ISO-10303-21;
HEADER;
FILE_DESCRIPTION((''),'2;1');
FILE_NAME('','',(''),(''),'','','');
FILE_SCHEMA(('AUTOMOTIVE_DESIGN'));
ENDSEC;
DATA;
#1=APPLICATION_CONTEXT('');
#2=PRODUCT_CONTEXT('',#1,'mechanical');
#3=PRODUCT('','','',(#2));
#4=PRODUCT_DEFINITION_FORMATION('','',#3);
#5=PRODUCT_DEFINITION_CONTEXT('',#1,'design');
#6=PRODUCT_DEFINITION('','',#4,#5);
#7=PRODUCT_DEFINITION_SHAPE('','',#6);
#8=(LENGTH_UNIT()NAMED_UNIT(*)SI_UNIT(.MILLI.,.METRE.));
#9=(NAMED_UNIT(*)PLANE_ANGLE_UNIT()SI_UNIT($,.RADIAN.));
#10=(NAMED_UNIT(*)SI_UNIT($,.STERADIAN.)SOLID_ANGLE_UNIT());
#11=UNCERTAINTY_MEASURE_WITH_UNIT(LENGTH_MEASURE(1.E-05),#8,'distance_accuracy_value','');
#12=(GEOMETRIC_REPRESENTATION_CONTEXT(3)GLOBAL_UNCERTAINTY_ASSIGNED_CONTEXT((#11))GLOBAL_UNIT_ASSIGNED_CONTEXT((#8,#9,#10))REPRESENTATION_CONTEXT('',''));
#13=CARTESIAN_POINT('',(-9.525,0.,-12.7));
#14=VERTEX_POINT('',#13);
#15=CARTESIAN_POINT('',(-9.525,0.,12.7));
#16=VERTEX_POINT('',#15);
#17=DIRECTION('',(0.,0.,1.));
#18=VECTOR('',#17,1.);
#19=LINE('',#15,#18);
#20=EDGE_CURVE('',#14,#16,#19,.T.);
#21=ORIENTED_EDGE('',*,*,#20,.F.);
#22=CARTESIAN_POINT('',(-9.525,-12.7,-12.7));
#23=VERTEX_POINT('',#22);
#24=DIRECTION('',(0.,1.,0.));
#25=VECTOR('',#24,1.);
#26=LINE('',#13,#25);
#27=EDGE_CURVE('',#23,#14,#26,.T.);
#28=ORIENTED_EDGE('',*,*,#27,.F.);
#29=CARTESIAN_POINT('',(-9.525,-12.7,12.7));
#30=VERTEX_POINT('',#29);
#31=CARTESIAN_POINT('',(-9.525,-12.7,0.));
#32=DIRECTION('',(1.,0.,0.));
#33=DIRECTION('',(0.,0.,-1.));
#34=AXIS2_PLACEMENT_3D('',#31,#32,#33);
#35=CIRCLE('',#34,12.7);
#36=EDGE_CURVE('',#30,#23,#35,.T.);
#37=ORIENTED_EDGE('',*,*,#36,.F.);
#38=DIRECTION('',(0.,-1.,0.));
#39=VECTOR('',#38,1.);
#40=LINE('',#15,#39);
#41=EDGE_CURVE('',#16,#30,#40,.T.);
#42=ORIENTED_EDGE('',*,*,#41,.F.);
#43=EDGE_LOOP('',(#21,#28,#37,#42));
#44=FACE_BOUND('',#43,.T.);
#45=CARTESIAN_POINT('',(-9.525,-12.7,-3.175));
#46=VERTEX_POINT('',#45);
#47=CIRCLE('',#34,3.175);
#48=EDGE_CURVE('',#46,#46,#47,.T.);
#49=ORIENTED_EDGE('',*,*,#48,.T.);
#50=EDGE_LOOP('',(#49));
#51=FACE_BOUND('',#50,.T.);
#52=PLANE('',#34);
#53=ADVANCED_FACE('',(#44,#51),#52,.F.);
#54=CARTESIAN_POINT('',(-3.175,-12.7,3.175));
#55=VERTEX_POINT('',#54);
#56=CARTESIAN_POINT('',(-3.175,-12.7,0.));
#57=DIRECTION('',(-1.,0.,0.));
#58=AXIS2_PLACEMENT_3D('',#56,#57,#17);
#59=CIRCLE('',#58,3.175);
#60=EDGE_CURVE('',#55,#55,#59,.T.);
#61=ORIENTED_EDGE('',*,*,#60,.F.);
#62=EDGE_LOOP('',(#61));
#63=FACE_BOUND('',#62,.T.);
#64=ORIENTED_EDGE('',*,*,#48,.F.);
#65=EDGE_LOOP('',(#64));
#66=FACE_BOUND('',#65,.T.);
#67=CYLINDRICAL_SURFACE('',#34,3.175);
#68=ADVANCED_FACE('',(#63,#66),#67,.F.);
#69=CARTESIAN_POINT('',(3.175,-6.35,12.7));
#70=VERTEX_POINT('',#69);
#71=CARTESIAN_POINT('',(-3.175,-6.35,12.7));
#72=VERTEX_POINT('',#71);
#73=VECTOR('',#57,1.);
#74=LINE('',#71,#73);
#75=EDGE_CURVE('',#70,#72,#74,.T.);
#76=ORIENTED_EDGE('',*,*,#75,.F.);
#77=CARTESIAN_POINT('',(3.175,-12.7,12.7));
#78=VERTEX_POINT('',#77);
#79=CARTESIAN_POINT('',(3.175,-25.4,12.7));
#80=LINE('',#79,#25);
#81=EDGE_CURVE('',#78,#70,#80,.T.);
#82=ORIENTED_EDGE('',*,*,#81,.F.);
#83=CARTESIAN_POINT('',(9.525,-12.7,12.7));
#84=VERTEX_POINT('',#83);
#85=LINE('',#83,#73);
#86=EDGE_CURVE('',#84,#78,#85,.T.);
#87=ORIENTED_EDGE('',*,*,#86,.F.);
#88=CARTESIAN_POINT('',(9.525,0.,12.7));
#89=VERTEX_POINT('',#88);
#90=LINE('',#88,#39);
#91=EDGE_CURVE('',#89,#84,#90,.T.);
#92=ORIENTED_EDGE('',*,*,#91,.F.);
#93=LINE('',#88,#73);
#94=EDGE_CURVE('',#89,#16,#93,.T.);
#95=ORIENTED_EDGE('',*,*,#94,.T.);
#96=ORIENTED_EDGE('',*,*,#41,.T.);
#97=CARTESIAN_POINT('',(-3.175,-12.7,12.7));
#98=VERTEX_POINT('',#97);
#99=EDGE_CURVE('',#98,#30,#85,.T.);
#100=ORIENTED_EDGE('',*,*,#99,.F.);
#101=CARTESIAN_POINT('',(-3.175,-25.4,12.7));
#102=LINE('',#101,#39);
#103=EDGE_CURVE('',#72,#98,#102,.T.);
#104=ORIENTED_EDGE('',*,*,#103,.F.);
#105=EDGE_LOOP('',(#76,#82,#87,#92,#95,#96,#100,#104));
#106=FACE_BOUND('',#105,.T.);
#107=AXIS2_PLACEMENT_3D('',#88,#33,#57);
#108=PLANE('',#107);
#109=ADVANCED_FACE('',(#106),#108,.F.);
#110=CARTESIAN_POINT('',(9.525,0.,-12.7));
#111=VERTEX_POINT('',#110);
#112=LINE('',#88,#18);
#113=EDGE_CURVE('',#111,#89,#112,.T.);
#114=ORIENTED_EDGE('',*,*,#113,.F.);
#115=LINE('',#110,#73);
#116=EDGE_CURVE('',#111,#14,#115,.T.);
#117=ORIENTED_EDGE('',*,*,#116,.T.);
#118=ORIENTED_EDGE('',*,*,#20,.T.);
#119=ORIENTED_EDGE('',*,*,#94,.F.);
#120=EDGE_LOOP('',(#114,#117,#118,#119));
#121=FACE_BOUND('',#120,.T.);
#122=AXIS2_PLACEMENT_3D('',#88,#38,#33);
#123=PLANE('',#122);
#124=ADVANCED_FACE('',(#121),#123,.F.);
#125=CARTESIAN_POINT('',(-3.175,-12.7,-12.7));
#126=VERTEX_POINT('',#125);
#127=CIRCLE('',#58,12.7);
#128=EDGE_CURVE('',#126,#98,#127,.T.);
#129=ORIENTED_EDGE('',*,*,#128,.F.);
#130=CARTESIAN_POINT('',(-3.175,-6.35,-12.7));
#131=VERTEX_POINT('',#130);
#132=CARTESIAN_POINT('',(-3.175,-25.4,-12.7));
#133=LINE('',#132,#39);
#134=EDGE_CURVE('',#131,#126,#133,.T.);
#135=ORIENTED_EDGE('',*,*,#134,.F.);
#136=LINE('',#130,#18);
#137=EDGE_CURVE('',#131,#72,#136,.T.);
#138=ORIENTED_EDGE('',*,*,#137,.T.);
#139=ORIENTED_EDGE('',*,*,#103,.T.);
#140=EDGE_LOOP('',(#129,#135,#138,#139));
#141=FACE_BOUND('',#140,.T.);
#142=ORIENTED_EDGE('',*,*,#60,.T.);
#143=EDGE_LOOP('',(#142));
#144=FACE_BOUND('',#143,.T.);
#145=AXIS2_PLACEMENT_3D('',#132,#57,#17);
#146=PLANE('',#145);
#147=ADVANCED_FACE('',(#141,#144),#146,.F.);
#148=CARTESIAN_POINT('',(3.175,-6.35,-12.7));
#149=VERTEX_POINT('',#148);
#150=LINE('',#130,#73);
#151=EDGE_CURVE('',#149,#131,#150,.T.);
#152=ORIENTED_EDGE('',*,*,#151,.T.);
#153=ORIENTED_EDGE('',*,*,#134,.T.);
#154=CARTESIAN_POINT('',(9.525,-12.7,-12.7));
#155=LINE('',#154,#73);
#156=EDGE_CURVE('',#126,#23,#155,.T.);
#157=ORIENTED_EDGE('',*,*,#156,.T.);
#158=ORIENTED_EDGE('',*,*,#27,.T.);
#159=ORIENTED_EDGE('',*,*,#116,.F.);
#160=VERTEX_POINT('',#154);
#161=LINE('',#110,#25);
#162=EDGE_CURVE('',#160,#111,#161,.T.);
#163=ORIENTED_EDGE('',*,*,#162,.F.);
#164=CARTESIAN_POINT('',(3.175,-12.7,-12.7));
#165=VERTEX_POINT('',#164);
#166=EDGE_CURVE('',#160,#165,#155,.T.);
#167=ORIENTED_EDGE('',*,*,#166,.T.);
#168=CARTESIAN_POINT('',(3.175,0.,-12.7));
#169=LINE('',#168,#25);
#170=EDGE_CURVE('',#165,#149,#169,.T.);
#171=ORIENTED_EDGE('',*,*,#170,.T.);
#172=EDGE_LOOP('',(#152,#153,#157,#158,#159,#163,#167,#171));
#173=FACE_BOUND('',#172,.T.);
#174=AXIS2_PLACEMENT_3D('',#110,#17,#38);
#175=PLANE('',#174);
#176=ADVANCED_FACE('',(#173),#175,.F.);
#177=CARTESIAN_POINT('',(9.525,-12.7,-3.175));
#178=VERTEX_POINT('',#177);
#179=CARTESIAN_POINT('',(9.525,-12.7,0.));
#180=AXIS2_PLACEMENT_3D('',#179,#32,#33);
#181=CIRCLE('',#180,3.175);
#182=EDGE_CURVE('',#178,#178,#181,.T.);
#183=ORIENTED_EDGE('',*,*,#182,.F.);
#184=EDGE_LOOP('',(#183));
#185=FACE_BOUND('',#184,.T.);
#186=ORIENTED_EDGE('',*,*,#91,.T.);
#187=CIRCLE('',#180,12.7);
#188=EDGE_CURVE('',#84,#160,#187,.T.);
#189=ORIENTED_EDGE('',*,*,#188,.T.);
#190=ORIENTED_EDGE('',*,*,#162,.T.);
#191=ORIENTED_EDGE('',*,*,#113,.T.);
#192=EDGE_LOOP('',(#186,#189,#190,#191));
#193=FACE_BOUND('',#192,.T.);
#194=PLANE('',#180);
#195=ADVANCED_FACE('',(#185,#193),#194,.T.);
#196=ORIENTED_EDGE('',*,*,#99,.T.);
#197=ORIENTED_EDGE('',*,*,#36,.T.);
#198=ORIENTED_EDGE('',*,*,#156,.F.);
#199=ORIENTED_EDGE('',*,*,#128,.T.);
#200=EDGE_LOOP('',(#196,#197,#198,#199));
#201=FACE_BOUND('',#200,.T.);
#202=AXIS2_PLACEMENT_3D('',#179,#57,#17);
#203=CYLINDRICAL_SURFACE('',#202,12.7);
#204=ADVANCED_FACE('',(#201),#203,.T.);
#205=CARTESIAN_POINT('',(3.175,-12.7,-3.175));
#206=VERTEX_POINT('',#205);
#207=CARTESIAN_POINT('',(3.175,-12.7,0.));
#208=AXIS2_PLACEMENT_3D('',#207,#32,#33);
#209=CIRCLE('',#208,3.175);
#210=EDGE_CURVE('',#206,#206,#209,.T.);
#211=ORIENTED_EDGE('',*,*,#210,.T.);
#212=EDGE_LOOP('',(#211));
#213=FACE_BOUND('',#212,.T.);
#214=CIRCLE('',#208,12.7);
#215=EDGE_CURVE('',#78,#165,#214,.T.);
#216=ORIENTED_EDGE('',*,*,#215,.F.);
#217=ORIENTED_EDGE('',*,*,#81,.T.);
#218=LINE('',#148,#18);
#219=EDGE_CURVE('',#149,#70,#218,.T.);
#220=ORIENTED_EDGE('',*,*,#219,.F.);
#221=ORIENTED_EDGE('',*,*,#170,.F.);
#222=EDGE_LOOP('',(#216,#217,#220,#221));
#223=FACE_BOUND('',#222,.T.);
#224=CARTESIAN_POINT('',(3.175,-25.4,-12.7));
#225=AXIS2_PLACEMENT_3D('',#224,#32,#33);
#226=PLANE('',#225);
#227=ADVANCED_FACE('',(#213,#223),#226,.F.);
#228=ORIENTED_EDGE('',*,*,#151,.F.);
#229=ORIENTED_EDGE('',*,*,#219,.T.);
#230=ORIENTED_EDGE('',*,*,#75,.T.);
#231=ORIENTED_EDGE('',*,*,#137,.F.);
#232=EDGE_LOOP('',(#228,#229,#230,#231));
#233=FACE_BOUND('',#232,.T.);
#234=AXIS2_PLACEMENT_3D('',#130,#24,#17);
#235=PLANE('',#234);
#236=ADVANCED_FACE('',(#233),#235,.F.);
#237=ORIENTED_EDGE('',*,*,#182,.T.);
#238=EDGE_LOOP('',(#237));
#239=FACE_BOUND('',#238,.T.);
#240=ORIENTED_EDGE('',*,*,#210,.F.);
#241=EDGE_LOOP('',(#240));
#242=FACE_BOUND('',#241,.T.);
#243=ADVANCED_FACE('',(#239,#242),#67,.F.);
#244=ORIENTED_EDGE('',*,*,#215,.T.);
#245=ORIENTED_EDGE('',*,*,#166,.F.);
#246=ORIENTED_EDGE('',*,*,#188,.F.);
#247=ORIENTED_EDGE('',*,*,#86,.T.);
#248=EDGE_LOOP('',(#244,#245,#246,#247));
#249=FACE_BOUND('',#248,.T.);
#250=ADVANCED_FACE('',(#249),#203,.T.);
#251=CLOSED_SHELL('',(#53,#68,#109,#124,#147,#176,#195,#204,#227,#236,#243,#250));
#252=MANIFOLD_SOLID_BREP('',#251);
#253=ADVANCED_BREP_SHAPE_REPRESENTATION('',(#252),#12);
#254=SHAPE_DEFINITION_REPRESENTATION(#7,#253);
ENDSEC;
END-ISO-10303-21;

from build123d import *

# Parameters (mm, degrees)
MOUNT_DEPTH                      = 9.525
SKETCH2_W                        = 6.35
SKETCH2_H                        = 19.05
CENTER_CUTOUT_FOR_RIB_DEPTH      = 13.7
CENTER_CUTOUT_FOR_RIB_DEPTH_BACK = 13.7
SKETCH3_R                        = 3.175
PIN_HOLE_DEPTH                   = 10.525
PIN_HOLE_DEPTH_BACK              = 10.525


with BuildPart() as part:
    # Sketch1 → mount (new body, symmetric)
    with BuildSketch(Plane(origin=(0, 0, 0), x_dir=(0, 0, -1), z_dir=(1, 0, 0))):
        with BuildLine():
            Line((12.7, 0), (12.7, -12.7))
            ThreePointArc((12.7, -12.7), (0, -25.4), (-12.7, -12.7))
            Line((-12.7, -12.7), (-12.7, 0))
            Line((-12.7, 0), (12.7, 0))
        make_face()
    extrude(amount=MOUNT_DEPTH, both=True)

    # Sketch2 → center cutout for rib (cut, two sides)
    with BuildSketch(Plane.XY) as center_cutout_for_rib_sk:
        with Locations((0, -15.875)):
            Rectangle(SKETCH2_W, SKETCH2_H)
    extrude(amount=CENTER_CUTOUT_FOR_RIB_DEPTH, mode=Mode.SUBTRACT)
    extrude(center_cutout_for_rib_sk.sketch, amount=-CENTER_CUTOUT_FOR_RIB_DEPTH_BACK, mode=Mode.SUBTRACT)

    # Sketch3 → pin hole (cut, two sides)
    with BuildSketch(Plane(origin=(0, 0, 0), x_dir=(0, 0, -1), z_dir=(1, 0, 0))) as pin_hole_sk:
        with Locations((0, -12.7)):
            Circle(SKETCH3_R)
    extrude(amount=PIN_HOLE_DEPTH, mode=Mode.SUBTRACT)
    extrude(pin_hole_sk.sketch, amount=-PIN_HOLE_DEPTH_BACK, mode=Mode.SUBTRACT)


solid = part.part
